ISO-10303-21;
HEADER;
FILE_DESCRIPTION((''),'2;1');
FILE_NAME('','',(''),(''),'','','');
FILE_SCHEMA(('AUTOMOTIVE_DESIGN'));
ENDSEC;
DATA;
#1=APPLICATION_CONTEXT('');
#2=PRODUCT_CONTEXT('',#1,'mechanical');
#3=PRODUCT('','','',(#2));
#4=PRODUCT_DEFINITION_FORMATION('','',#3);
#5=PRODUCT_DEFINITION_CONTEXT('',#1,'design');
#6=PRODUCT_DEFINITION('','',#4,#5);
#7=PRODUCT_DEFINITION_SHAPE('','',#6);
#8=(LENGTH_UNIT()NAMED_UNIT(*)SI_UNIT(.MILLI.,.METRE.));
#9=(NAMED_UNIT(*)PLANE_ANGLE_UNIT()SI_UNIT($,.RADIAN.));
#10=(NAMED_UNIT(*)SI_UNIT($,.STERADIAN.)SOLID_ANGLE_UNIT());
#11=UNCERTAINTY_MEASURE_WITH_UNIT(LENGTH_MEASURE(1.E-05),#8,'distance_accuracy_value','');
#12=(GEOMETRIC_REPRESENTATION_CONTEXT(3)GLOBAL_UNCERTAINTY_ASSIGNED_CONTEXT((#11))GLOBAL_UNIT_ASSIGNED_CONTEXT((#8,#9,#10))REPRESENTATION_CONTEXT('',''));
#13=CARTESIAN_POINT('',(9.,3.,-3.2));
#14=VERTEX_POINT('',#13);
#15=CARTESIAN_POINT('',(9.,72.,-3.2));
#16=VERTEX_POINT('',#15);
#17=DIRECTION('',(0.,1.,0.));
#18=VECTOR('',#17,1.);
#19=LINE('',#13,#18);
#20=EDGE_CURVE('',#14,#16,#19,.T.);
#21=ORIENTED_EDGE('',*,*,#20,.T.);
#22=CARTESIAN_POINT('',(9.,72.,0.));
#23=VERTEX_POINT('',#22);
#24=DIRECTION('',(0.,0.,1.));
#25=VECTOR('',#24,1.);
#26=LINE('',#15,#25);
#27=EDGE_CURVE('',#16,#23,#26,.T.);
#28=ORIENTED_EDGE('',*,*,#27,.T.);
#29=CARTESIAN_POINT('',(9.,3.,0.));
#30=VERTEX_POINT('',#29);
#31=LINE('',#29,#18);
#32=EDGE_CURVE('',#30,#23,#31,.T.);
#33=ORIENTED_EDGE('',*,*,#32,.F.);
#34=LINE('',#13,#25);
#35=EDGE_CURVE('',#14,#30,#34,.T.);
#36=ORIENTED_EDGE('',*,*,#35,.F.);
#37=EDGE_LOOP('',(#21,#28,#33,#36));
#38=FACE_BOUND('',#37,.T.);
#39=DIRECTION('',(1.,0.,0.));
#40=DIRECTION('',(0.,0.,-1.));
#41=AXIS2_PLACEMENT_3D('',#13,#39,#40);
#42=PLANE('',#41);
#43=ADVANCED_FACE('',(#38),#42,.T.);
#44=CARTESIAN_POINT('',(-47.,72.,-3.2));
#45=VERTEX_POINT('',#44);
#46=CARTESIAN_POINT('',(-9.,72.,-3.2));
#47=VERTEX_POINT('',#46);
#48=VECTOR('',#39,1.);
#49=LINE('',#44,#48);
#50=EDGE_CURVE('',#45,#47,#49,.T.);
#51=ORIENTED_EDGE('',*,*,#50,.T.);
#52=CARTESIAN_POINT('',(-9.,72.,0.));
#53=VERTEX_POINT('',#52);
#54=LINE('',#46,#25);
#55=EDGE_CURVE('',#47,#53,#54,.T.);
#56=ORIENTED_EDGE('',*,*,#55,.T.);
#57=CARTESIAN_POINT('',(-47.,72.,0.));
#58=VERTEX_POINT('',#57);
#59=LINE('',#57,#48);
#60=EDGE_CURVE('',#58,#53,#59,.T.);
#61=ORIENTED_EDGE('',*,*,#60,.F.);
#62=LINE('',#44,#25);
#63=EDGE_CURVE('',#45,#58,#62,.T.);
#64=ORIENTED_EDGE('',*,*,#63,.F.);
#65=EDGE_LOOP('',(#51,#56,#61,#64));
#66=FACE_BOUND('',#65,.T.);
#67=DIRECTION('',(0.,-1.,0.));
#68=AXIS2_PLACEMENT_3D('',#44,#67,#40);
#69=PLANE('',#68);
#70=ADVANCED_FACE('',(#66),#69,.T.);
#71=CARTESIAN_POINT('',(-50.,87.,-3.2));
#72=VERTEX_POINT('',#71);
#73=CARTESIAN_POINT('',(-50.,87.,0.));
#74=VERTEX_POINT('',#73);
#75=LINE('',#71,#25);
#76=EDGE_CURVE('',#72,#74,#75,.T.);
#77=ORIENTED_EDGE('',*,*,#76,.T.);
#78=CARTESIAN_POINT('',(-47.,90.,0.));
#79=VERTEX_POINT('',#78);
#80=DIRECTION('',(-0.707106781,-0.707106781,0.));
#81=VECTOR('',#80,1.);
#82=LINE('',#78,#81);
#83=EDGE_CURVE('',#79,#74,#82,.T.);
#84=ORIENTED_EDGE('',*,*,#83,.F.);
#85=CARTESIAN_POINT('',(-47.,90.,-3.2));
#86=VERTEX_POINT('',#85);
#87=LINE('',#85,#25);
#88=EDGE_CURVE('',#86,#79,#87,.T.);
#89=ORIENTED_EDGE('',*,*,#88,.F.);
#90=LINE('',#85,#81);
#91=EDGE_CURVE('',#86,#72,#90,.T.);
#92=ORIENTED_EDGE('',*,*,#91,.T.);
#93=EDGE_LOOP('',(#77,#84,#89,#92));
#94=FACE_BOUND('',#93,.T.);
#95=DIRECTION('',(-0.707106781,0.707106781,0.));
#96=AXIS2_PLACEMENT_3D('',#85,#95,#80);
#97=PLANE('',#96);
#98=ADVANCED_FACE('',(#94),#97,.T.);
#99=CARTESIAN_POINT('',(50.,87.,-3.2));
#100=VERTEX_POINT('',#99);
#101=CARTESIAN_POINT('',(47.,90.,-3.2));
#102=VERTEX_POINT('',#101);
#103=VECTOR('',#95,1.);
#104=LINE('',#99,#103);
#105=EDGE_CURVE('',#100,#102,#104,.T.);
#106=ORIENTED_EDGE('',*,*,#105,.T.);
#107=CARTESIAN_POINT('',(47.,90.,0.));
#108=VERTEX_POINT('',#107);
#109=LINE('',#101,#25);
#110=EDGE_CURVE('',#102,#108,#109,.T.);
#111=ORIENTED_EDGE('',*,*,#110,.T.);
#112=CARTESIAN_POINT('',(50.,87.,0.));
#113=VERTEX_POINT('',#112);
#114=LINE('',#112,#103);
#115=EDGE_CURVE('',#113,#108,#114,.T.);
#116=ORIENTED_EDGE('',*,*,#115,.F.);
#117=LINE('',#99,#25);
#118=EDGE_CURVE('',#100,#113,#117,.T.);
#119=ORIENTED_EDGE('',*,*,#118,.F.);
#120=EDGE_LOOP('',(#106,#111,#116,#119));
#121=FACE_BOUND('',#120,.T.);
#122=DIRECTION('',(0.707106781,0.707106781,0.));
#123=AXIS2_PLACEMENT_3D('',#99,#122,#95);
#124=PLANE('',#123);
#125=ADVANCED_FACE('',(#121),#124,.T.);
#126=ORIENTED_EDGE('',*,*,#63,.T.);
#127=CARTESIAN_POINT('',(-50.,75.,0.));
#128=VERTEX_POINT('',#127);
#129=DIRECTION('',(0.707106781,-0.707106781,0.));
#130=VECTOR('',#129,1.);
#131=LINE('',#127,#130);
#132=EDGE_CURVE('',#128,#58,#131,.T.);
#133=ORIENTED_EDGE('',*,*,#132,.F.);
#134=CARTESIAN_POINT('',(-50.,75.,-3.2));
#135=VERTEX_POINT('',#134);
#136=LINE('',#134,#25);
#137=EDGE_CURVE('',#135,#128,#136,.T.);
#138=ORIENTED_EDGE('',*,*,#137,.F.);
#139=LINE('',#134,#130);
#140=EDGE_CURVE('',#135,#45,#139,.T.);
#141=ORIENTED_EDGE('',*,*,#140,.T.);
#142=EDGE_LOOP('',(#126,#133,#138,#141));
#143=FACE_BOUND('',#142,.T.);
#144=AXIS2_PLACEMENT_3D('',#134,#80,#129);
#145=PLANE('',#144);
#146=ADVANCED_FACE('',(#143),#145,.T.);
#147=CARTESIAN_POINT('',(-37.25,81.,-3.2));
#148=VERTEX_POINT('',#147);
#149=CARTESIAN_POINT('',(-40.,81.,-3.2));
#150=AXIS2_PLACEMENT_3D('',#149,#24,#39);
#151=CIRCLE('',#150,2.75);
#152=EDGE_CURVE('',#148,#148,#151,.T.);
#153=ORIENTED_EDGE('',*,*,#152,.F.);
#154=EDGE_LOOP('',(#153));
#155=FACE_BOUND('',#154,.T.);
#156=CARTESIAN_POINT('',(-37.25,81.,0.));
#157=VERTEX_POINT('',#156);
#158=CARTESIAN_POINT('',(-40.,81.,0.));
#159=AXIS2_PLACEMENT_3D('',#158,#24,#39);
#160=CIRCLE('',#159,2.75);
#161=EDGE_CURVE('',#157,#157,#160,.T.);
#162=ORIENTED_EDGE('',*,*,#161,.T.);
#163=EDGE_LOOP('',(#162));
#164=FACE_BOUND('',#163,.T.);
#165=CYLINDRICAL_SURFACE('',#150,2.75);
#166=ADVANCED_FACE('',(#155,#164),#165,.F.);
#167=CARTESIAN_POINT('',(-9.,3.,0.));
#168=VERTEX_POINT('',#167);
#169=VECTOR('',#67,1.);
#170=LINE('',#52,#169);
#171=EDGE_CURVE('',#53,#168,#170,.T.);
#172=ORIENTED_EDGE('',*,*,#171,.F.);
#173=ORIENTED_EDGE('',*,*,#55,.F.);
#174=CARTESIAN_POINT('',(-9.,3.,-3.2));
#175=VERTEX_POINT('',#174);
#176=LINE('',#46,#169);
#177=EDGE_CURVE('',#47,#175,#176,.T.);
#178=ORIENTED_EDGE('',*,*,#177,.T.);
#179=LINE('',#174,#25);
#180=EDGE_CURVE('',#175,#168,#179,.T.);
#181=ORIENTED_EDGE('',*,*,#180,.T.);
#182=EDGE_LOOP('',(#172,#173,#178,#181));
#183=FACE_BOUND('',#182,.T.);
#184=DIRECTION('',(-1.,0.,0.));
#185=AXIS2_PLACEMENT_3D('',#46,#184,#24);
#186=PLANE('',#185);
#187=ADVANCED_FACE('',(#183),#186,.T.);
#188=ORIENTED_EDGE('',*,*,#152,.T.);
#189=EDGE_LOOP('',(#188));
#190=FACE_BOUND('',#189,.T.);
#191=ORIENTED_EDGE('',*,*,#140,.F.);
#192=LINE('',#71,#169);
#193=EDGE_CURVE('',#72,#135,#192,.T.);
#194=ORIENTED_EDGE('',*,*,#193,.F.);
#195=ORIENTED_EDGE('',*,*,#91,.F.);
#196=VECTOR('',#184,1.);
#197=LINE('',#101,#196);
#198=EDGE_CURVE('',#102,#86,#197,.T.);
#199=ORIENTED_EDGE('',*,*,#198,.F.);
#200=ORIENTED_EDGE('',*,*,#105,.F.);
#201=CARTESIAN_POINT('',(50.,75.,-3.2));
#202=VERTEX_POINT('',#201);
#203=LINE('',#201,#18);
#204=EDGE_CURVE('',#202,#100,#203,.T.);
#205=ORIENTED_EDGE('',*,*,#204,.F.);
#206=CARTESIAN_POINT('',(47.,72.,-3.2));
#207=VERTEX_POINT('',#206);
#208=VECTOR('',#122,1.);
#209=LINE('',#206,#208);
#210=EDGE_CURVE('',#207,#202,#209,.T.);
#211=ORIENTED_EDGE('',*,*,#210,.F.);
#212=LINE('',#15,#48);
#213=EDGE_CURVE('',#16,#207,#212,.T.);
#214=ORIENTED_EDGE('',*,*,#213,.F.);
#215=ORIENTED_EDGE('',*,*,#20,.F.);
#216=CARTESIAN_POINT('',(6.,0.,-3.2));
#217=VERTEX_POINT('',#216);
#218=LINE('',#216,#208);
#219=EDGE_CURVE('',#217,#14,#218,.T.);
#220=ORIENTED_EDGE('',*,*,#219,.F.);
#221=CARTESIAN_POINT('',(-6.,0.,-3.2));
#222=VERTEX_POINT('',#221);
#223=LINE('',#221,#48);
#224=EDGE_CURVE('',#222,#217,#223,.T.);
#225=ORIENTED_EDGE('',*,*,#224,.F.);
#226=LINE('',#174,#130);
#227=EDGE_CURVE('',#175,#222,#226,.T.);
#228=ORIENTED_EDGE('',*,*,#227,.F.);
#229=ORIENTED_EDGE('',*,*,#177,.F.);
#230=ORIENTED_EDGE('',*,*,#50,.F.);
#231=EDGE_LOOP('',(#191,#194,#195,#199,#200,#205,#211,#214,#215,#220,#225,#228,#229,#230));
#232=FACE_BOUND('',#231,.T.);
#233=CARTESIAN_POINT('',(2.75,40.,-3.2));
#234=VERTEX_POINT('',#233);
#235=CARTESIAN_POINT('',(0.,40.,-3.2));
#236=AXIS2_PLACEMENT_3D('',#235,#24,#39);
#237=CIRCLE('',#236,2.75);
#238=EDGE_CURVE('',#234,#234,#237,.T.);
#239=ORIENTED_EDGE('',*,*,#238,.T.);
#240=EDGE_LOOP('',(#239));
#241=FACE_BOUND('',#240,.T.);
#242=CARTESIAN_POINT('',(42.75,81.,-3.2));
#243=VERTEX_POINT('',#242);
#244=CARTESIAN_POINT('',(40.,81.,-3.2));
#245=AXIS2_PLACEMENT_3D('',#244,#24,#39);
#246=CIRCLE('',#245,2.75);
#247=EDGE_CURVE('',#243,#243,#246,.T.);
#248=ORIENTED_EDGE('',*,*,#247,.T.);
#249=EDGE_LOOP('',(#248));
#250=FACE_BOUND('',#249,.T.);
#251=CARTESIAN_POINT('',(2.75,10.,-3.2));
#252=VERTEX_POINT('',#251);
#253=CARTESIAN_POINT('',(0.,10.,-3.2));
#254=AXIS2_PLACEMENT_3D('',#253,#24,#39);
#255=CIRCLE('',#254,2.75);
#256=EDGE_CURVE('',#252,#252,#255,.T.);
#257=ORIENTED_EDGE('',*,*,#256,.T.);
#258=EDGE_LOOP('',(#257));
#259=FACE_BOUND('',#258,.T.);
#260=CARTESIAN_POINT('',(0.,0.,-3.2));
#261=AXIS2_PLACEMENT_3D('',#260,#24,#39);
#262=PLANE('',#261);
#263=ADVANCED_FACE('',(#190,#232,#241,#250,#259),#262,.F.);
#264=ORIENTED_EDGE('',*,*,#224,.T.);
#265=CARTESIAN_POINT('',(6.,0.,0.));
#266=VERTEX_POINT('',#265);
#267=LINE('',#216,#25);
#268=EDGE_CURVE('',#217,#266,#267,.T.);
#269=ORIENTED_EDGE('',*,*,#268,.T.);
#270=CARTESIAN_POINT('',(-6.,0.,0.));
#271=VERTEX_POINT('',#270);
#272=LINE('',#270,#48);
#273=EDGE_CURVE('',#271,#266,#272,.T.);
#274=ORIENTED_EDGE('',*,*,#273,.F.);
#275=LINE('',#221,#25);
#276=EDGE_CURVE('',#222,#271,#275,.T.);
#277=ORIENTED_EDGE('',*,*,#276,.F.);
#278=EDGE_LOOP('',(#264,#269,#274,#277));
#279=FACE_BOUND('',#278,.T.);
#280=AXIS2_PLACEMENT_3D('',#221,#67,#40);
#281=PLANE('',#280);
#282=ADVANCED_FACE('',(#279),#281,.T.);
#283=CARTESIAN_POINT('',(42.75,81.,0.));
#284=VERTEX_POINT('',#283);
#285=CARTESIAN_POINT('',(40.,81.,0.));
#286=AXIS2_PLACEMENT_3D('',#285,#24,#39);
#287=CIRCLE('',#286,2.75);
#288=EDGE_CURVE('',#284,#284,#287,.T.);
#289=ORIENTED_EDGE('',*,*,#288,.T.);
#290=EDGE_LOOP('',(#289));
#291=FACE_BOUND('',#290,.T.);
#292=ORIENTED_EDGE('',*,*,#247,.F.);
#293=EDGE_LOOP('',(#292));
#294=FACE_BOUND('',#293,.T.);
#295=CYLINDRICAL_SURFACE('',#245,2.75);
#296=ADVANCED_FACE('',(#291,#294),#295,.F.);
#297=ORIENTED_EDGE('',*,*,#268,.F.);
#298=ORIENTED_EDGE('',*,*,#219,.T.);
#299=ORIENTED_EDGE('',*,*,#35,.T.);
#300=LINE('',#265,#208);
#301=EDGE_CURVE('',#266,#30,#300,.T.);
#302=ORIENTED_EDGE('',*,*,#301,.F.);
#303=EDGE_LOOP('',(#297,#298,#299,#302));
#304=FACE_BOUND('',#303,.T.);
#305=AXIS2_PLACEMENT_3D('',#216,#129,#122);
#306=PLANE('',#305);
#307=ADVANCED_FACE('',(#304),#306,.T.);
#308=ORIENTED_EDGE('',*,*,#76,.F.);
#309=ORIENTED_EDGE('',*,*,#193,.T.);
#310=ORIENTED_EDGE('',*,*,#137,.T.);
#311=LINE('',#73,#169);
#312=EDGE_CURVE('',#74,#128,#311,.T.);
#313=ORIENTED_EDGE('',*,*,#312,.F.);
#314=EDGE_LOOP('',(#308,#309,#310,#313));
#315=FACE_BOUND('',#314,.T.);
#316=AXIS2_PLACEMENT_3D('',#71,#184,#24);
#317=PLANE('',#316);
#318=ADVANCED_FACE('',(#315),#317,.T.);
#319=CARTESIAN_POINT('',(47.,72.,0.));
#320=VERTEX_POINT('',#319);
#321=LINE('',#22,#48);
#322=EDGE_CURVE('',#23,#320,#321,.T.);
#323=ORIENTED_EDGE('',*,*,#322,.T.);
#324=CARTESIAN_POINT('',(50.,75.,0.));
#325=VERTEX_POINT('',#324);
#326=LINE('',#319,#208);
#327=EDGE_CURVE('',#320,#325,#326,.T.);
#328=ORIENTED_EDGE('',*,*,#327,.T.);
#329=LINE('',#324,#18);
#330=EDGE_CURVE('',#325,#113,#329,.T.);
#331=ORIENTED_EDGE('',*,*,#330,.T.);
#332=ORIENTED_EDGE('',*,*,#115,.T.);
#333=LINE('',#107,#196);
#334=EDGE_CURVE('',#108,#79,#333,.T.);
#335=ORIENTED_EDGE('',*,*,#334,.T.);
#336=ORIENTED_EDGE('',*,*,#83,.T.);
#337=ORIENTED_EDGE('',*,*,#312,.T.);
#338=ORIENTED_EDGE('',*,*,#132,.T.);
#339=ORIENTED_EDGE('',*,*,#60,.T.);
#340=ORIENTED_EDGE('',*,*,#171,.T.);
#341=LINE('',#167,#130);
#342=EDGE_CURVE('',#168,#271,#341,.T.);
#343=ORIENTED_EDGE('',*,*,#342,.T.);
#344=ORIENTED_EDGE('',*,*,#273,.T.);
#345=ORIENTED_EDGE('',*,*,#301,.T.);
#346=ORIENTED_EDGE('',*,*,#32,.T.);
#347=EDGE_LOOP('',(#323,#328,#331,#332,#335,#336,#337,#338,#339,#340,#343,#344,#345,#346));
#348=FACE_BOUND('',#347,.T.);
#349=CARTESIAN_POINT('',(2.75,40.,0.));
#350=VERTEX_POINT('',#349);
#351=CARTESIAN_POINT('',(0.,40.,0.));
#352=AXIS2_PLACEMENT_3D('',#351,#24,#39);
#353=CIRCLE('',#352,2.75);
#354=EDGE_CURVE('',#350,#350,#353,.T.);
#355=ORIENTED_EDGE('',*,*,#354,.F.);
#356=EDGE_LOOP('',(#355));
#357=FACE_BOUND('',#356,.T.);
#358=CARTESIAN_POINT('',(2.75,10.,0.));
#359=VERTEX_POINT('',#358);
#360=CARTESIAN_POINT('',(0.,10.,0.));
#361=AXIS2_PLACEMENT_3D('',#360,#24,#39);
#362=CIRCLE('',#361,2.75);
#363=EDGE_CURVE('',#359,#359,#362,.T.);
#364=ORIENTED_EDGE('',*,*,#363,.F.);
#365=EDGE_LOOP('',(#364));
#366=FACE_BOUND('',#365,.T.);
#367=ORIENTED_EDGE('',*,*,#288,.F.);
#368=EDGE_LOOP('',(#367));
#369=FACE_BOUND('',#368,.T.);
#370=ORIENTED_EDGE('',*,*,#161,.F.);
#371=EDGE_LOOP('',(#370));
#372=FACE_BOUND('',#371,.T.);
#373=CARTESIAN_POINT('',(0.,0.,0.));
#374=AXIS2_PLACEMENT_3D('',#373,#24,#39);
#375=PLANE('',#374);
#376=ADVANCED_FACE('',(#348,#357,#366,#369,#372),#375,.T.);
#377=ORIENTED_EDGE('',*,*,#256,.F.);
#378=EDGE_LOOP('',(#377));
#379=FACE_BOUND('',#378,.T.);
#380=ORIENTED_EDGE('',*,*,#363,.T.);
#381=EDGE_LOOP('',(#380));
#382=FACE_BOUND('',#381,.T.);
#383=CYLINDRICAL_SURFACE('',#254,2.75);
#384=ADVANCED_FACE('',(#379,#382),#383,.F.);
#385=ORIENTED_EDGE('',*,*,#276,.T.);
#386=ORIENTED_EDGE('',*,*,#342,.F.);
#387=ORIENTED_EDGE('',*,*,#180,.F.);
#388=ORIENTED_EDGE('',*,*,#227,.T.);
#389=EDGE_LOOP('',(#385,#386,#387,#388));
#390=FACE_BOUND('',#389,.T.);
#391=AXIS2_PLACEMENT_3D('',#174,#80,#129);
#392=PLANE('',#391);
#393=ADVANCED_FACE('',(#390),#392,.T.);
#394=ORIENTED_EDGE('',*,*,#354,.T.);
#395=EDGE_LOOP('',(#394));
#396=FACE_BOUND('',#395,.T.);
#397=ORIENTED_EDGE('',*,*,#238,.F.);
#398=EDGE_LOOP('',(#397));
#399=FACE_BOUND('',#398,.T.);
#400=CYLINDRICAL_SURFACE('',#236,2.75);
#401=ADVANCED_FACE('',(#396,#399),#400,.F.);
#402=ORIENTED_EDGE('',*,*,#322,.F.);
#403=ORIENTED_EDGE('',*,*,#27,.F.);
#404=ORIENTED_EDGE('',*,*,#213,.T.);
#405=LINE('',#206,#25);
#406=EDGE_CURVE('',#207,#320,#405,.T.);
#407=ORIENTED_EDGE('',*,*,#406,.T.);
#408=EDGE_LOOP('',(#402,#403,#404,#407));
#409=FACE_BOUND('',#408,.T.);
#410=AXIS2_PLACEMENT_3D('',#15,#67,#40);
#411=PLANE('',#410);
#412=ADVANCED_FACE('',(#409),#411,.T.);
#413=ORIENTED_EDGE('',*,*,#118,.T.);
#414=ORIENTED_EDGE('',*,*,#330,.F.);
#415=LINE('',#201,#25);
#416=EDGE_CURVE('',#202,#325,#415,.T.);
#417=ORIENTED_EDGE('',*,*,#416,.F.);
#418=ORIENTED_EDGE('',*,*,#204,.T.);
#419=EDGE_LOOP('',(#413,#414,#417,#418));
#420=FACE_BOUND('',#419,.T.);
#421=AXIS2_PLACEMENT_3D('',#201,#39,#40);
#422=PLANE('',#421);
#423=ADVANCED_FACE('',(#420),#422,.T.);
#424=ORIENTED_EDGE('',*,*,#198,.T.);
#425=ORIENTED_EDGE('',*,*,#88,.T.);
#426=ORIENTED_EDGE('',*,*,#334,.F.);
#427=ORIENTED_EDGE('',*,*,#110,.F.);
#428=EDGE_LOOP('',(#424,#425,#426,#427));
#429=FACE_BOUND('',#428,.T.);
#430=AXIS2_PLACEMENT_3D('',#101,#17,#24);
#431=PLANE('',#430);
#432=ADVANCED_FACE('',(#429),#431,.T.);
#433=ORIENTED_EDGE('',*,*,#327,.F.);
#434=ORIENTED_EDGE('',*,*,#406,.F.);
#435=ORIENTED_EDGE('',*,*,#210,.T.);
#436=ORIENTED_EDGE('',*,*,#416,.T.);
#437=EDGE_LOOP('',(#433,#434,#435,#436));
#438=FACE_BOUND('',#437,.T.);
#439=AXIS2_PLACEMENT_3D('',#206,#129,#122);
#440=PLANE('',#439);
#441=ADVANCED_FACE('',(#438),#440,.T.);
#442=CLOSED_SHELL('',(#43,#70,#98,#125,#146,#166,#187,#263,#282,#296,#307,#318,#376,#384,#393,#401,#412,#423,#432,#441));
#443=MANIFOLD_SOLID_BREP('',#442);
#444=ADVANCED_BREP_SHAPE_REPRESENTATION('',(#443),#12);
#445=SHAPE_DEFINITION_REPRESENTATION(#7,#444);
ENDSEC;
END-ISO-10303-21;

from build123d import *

# Parameters (mm, degrees)
SKETCH1_R           = 2.75
BOSS_EXTRUDE1_DEPTH = 3.2


with BuildPart() as part:
    # Sketch1 → Boss-Extrude1 (new body)
    with BuildSketch(Plane.XY):
        Polygon((-50, 75), (-47, 72), (-9, 72), (-9, 3), (-6, 0), (6, 0), (9, 3), (9, 72), (47, 72), (50, 75), (50, 87), (47, 90), (-47, 90), (-50, 87), align=None)
        with Locations((40, 81)):
            Circle(SKETCH1_R, mode=Mode.SUBTRACT)
        with Locations((0, 40)):
            Circle(SKETCH1_R, mode=Mode.SUBTRACT)
        with Locations((0, 10)):
            Circle(SKETCH1_R, mode=Mode.SUBTRACT)
        with Locations((-40, 81)):
            Circle(SKETCH1_R, mode=Mode.SUBTRACT)
    extrude(amount=-BOSS_EXTRUDE1_DEPTH)


solid = part.part
